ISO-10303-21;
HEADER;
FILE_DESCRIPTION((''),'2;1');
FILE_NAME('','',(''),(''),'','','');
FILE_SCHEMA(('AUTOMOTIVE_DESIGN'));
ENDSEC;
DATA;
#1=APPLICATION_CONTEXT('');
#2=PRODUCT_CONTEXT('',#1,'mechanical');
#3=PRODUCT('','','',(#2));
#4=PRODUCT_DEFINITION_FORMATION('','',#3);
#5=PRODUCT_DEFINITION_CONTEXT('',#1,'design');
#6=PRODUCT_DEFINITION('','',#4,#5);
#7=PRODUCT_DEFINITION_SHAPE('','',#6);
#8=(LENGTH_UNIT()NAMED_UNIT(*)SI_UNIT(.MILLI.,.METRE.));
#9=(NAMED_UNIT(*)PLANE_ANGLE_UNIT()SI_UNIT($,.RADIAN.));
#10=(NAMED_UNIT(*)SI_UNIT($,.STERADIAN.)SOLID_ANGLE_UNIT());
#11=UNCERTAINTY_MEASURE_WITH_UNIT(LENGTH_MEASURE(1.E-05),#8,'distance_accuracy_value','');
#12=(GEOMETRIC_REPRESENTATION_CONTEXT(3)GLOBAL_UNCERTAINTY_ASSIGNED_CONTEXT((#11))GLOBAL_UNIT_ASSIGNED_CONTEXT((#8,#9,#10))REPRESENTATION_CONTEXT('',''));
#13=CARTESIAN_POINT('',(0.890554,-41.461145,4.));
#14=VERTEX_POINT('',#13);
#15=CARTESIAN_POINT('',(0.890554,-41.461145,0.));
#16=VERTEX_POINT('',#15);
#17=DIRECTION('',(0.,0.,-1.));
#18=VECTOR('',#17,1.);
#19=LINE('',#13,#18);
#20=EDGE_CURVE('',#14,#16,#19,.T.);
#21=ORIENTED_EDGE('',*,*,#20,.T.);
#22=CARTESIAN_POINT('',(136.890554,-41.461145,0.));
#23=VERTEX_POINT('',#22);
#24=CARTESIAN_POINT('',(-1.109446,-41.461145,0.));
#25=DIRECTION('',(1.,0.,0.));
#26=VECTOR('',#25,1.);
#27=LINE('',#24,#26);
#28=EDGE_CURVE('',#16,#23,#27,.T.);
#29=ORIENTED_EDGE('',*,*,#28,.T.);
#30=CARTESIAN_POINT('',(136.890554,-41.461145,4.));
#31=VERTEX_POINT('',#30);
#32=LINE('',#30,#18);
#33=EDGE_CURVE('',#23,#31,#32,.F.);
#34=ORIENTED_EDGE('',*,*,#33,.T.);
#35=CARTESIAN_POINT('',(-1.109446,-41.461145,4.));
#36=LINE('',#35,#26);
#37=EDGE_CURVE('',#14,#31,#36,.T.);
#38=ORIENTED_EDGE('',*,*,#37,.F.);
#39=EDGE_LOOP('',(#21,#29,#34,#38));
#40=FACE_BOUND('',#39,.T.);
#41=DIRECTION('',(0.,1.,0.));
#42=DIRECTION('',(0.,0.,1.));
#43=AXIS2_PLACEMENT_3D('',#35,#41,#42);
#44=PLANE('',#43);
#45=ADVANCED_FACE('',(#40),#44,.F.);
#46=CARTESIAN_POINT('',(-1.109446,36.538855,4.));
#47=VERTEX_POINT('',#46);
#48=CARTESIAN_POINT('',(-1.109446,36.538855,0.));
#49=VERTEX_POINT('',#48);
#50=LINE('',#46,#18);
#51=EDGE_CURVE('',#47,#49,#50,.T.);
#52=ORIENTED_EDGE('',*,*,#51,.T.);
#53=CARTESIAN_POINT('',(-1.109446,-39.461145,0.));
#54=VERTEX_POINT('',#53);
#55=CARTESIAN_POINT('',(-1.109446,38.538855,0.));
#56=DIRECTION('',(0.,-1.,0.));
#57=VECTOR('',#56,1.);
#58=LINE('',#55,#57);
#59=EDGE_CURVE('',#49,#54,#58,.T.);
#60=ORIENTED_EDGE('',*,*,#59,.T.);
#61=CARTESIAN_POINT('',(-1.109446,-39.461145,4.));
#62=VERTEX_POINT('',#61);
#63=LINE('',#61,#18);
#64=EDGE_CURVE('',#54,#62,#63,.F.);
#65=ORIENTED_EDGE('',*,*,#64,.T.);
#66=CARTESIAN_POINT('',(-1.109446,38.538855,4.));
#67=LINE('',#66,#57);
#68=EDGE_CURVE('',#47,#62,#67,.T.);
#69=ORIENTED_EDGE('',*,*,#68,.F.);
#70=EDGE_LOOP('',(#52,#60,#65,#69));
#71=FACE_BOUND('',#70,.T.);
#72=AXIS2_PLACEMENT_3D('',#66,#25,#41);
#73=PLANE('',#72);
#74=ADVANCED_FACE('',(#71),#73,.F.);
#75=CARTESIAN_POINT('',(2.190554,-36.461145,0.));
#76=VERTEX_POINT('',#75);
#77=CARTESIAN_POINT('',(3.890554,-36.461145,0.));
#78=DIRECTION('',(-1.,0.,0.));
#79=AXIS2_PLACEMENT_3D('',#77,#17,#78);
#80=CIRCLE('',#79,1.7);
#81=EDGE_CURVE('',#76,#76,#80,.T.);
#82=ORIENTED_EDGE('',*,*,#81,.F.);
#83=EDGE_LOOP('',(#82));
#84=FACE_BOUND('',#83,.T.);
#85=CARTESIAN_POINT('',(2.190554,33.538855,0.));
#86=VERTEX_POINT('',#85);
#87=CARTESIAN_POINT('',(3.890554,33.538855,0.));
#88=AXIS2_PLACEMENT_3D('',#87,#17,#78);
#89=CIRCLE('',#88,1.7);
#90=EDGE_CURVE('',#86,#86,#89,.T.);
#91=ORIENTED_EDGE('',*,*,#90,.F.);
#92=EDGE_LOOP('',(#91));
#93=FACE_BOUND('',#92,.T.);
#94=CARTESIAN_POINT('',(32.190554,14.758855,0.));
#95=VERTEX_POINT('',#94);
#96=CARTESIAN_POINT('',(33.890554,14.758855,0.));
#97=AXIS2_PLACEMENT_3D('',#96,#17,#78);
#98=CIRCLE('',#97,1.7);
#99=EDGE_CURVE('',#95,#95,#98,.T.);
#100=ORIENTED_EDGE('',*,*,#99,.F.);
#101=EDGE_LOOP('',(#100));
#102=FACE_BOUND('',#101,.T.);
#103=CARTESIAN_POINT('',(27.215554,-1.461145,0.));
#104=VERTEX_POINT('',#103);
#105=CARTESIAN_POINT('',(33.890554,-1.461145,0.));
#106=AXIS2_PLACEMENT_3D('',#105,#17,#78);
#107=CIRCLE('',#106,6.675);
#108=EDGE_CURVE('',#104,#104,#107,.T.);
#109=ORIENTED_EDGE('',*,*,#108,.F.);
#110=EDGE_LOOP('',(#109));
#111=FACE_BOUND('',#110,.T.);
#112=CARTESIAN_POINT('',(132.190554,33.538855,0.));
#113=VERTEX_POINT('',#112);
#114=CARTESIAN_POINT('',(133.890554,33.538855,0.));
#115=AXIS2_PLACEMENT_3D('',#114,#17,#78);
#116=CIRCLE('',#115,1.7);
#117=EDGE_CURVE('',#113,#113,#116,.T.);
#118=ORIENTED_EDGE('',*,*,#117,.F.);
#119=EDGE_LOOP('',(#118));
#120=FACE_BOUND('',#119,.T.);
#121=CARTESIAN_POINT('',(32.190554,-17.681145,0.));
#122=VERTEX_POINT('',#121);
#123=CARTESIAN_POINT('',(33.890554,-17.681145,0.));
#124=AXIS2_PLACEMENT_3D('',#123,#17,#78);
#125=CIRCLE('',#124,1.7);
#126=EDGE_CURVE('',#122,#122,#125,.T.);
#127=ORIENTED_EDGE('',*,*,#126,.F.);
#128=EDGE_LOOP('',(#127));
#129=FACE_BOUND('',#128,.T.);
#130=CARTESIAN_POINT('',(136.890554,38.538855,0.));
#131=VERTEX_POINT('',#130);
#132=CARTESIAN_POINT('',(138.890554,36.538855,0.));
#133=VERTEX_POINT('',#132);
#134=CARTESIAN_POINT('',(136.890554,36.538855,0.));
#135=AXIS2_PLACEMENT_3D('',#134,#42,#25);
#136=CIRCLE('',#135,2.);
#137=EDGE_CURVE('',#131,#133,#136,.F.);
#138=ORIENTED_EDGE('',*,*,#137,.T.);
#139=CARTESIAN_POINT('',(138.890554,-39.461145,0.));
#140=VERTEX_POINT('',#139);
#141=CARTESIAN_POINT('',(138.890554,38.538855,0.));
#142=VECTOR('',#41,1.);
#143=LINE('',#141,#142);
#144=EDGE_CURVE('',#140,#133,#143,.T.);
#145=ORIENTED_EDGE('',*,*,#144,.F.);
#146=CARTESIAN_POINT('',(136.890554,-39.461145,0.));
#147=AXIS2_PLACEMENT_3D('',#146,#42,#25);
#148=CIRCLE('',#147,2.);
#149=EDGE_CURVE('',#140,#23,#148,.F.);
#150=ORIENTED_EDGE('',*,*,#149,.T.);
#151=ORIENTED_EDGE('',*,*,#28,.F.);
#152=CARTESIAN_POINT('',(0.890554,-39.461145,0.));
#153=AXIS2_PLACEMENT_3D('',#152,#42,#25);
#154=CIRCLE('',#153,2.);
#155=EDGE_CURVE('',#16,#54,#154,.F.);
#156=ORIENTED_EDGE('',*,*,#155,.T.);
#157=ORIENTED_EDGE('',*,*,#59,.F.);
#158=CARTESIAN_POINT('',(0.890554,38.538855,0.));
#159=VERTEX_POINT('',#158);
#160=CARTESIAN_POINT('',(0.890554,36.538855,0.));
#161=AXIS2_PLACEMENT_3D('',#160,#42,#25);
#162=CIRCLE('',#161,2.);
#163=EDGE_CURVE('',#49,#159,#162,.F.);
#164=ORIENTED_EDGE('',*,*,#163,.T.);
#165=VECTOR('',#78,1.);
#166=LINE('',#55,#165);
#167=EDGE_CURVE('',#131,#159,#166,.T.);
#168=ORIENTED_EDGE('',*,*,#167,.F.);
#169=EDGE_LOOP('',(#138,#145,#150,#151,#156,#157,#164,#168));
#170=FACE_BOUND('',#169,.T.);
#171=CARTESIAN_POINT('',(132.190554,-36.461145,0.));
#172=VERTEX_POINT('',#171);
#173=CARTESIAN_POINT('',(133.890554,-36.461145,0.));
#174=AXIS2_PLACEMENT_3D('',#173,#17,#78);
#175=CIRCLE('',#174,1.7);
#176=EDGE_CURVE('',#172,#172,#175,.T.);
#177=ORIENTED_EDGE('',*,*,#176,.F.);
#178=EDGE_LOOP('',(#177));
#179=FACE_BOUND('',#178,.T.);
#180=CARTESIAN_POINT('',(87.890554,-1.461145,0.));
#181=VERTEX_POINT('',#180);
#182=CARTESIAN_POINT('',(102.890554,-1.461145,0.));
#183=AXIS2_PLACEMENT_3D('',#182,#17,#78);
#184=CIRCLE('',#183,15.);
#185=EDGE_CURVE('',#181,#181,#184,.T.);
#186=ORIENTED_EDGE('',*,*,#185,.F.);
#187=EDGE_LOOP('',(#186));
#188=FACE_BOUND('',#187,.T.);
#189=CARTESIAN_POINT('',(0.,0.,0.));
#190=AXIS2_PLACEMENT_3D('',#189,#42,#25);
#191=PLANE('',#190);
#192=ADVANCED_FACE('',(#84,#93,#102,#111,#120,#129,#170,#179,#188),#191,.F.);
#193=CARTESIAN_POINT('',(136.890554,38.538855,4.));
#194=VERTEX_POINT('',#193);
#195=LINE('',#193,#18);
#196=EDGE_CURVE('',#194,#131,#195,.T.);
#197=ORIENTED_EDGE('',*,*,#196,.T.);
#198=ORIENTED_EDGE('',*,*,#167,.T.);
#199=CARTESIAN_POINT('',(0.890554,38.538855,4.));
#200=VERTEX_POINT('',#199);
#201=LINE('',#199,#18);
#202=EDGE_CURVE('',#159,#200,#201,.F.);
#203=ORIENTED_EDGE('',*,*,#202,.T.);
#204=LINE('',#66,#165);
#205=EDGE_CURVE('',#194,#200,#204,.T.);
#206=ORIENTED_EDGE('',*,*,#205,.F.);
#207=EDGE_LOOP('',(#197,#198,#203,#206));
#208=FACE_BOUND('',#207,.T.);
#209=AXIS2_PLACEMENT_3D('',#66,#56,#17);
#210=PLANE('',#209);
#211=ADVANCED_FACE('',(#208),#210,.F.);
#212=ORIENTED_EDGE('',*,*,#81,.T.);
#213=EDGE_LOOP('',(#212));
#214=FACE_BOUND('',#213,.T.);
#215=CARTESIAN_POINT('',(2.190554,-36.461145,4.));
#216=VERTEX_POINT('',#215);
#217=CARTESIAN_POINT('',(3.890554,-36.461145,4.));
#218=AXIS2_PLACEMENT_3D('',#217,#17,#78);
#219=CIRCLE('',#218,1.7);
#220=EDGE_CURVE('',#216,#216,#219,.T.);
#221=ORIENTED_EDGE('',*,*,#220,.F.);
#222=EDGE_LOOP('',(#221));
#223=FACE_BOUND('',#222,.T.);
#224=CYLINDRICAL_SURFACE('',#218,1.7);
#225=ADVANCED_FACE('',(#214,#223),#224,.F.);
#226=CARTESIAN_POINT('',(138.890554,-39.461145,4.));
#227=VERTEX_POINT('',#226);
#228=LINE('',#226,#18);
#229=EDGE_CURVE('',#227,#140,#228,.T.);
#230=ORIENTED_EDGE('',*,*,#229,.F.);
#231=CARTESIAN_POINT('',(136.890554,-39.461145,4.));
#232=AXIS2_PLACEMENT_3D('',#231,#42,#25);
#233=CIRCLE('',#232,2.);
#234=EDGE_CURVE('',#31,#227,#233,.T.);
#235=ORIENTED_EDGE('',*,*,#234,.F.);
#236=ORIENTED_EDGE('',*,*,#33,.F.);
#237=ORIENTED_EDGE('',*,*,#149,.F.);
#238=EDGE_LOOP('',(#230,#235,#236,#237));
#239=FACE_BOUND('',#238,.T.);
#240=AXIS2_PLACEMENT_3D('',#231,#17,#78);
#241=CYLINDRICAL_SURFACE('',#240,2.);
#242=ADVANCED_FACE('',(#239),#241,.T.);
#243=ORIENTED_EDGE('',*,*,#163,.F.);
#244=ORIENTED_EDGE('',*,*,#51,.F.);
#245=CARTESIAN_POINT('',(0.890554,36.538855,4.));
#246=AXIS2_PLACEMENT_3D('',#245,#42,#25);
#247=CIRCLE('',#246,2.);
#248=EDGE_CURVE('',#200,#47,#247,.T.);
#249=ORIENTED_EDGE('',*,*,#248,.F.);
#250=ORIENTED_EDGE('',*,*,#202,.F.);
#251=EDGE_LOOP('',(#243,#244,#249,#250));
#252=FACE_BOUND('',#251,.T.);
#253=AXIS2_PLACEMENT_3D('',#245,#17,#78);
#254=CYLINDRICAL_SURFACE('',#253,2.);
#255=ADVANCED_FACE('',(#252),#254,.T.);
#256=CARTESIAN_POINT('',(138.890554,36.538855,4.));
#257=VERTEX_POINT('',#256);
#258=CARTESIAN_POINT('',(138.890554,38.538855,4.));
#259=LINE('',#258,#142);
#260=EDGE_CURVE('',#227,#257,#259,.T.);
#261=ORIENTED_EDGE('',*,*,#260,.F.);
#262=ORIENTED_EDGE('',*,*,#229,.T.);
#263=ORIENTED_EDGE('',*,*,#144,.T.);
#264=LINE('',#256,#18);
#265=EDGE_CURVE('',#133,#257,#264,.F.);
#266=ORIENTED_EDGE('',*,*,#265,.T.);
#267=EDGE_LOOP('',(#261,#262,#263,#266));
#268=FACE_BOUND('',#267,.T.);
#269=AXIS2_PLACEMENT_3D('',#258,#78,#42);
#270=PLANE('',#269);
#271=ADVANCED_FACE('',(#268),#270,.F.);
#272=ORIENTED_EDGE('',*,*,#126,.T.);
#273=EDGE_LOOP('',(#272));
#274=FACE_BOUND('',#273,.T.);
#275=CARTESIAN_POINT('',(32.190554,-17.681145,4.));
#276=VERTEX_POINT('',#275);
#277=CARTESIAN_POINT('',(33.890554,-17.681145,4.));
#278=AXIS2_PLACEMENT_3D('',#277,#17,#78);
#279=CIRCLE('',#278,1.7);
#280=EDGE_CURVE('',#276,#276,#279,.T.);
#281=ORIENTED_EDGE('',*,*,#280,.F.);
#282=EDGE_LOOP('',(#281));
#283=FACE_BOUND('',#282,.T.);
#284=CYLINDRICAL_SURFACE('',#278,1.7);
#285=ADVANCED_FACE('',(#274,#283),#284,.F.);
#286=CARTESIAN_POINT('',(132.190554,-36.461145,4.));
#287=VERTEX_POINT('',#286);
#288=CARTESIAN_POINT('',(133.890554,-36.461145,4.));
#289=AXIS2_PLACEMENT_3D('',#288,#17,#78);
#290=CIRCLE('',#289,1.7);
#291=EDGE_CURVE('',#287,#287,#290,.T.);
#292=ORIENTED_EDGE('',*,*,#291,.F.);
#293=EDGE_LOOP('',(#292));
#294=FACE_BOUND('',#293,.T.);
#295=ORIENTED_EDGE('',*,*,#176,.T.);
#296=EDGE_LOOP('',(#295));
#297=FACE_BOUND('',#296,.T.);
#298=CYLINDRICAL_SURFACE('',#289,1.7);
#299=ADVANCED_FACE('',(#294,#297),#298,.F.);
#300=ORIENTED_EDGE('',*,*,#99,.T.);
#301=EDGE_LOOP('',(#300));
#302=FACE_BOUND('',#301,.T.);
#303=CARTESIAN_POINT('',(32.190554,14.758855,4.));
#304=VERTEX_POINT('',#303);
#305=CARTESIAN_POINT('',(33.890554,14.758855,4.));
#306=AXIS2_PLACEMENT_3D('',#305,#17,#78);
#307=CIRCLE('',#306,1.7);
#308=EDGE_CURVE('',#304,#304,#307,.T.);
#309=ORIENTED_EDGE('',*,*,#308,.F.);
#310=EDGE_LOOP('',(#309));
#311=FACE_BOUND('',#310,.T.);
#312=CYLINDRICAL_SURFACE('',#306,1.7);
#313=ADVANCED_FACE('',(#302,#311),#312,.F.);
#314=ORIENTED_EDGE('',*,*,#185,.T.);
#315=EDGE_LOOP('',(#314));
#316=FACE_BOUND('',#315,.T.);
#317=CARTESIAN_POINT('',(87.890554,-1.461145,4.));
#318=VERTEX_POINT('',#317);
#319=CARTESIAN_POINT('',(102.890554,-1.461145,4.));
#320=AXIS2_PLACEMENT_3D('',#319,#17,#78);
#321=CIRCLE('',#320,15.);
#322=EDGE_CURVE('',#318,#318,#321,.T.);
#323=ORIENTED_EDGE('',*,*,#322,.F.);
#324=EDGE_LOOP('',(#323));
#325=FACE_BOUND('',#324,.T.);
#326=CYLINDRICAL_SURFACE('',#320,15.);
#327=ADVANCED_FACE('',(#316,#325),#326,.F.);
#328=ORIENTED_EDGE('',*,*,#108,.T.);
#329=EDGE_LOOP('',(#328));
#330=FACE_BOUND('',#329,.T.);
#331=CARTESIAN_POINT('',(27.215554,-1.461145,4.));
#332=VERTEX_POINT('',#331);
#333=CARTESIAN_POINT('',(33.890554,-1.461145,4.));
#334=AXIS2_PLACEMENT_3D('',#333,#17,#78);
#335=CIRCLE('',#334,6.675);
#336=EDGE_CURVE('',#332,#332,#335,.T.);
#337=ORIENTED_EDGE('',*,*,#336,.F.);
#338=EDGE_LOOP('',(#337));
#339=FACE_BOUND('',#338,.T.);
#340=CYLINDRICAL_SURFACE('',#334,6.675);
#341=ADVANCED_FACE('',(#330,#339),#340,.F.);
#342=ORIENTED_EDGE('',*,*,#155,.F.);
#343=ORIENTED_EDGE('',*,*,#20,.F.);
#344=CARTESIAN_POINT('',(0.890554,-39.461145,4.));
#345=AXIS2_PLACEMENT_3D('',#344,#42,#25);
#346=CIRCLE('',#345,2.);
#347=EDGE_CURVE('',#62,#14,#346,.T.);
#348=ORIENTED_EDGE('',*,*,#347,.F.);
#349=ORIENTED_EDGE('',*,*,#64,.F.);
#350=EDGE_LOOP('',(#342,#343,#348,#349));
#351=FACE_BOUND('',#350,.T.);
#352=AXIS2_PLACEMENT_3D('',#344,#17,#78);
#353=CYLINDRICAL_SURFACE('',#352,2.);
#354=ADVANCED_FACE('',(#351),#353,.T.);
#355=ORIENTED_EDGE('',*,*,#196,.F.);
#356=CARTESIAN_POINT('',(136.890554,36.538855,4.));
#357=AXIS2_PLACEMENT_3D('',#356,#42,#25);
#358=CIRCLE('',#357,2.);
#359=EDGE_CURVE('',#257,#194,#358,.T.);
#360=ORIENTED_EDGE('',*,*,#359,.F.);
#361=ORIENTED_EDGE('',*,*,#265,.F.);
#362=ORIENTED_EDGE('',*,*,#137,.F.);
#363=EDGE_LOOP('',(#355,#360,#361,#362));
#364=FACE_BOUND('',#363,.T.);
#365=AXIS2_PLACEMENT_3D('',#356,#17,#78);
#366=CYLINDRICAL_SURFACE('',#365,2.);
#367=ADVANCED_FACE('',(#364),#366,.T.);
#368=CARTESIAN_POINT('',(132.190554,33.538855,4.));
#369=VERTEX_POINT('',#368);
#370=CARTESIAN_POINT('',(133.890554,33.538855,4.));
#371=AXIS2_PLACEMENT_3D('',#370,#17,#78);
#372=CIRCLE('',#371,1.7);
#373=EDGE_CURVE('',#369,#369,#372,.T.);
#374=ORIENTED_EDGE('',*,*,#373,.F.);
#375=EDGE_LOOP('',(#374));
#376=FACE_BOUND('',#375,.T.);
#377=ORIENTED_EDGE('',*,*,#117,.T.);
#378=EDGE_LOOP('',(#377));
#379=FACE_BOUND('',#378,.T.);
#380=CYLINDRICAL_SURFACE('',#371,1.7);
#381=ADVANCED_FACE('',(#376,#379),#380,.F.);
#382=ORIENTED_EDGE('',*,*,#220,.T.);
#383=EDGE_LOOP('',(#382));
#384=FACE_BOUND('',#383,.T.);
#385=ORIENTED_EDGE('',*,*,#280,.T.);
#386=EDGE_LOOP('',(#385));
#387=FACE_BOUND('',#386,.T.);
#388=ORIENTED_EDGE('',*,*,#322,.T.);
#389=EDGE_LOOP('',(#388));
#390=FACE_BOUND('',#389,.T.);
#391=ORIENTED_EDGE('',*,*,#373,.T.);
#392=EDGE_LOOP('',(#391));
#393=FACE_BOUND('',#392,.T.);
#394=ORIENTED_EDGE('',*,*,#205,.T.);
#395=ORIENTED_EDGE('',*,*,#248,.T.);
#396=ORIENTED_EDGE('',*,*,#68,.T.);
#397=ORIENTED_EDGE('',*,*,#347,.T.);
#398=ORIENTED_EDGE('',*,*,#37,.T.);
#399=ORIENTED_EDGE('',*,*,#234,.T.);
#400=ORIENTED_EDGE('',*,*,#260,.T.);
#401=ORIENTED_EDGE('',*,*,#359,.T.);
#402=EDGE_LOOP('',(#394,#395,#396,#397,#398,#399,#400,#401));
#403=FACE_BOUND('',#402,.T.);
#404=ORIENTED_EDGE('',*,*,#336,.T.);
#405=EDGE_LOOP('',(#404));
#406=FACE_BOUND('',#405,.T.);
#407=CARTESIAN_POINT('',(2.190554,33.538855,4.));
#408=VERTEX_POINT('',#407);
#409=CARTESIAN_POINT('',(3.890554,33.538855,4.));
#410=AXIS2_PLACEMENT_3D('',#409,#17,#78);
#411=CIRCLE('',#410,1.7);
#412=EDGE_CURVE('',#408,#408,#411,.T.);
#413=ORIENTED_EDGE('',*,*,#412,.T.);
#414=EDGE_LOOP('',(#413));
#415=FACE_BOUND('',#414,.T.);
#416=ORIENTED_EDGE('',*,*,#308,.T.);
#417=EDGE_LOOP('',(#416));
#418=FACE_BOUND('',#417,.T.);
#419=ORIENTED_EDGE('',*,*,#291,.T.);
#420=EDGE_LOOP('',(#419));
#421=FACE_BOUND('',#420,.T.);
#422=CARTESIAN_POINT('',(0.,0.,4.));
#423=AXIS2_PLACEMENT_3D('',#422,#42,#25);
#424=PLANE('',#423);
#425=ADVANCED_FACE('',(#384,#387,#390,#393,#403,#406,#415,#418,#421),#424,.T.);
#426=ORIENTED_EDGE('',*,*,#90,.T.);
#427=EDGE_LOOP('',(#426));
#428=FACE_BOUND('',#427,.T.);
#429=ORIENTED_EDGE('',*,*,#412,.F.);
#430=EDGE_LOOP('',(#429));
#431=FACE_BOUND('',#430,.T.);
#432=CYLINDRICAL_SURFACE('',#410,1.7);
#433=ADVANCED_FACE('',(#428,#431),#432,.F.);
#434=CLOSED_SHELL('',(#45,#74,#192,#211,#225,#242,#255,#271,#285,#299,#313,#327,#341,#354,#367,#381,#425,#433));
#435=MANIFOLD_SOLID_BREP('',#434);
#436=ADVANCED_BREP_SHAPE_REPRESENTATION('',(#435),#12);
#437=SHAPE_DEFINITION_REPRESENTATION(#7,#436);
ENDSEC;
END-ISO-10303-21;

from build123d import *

# Parameters (mm, degrees)
SKETCH1_W           = 140
SKETCH1_H           = 80
BOSS_EXTRUDE1_DEPTH = 4
SKETCH2_R           = 6.675
SKETCH2_R_2         = 1.7
SKETCH2_R_3         = 15
CUT_EXTRUDE1_DEPTH  = 4
FILLET1_R           = 2


with BuildPart() as part:
    # Sketch1 → Boss-Extrude1 (new body)
    with BuildSketch(Plane.XY):
        with Locations((68.890553518, -1.461144776)):
            Rectangle(SKETCH1_W, SKETCH1_H)
    extrude(amount=BOSS_EXTRUDE1_DEPTH)

    # Sketch2 → Cut-Extrude1 (cut)
    with BuildSketch(Plane(origin=(0, 0, 0), x_dir=(-1, 0, 0), z_dir=(0, 0, -1))):
        with Locations((-33.890553518, -1.461144776)):
            Circle(SKETCH2_R)
        with Locations((-33.890553518, 14.758855224)):
            Circle(SKETCH2_R_2)
        with Locations((-33.890553518, -17.681144776)):
            Circle(SKETCH2_R_2)
        with Locations((-3.890553518, -36.461144776)):
            Circle(SKETCH2_R_2)
        with Locations((-133.890553518, -36.461144776)):
            Circle(SKETCH2_R_2)
        with Locations((-133.890553518, 33.538855224)):
            Circle(SKETCH2_R_2)
        with Locations((-3.890553518, 33.538855224)):
            Circle(SKETCH2_R_2)
        with Locations((-102.890553518, -1.461144776)):
            Circle(SKETCH2_R_3)
    extrude(amount=-CUT_EXTRUDE1_DEPTH, mode=Mode.SUBTRACT)

    # Fillet1
    fillet1_edges = [part.edges().sort_by_distance(p)[0] for p in [
        (-1.109446482, 38.538855224, 2),
        (138.890553518, 38.538855224, 2),
        (138.890553518, -41.461144776, 2),
        (-1.109446482, -41.461144776, 2),
    ]]
    fillet(fillet1_edges, radius=FILLET1_R)


solid = part.part
